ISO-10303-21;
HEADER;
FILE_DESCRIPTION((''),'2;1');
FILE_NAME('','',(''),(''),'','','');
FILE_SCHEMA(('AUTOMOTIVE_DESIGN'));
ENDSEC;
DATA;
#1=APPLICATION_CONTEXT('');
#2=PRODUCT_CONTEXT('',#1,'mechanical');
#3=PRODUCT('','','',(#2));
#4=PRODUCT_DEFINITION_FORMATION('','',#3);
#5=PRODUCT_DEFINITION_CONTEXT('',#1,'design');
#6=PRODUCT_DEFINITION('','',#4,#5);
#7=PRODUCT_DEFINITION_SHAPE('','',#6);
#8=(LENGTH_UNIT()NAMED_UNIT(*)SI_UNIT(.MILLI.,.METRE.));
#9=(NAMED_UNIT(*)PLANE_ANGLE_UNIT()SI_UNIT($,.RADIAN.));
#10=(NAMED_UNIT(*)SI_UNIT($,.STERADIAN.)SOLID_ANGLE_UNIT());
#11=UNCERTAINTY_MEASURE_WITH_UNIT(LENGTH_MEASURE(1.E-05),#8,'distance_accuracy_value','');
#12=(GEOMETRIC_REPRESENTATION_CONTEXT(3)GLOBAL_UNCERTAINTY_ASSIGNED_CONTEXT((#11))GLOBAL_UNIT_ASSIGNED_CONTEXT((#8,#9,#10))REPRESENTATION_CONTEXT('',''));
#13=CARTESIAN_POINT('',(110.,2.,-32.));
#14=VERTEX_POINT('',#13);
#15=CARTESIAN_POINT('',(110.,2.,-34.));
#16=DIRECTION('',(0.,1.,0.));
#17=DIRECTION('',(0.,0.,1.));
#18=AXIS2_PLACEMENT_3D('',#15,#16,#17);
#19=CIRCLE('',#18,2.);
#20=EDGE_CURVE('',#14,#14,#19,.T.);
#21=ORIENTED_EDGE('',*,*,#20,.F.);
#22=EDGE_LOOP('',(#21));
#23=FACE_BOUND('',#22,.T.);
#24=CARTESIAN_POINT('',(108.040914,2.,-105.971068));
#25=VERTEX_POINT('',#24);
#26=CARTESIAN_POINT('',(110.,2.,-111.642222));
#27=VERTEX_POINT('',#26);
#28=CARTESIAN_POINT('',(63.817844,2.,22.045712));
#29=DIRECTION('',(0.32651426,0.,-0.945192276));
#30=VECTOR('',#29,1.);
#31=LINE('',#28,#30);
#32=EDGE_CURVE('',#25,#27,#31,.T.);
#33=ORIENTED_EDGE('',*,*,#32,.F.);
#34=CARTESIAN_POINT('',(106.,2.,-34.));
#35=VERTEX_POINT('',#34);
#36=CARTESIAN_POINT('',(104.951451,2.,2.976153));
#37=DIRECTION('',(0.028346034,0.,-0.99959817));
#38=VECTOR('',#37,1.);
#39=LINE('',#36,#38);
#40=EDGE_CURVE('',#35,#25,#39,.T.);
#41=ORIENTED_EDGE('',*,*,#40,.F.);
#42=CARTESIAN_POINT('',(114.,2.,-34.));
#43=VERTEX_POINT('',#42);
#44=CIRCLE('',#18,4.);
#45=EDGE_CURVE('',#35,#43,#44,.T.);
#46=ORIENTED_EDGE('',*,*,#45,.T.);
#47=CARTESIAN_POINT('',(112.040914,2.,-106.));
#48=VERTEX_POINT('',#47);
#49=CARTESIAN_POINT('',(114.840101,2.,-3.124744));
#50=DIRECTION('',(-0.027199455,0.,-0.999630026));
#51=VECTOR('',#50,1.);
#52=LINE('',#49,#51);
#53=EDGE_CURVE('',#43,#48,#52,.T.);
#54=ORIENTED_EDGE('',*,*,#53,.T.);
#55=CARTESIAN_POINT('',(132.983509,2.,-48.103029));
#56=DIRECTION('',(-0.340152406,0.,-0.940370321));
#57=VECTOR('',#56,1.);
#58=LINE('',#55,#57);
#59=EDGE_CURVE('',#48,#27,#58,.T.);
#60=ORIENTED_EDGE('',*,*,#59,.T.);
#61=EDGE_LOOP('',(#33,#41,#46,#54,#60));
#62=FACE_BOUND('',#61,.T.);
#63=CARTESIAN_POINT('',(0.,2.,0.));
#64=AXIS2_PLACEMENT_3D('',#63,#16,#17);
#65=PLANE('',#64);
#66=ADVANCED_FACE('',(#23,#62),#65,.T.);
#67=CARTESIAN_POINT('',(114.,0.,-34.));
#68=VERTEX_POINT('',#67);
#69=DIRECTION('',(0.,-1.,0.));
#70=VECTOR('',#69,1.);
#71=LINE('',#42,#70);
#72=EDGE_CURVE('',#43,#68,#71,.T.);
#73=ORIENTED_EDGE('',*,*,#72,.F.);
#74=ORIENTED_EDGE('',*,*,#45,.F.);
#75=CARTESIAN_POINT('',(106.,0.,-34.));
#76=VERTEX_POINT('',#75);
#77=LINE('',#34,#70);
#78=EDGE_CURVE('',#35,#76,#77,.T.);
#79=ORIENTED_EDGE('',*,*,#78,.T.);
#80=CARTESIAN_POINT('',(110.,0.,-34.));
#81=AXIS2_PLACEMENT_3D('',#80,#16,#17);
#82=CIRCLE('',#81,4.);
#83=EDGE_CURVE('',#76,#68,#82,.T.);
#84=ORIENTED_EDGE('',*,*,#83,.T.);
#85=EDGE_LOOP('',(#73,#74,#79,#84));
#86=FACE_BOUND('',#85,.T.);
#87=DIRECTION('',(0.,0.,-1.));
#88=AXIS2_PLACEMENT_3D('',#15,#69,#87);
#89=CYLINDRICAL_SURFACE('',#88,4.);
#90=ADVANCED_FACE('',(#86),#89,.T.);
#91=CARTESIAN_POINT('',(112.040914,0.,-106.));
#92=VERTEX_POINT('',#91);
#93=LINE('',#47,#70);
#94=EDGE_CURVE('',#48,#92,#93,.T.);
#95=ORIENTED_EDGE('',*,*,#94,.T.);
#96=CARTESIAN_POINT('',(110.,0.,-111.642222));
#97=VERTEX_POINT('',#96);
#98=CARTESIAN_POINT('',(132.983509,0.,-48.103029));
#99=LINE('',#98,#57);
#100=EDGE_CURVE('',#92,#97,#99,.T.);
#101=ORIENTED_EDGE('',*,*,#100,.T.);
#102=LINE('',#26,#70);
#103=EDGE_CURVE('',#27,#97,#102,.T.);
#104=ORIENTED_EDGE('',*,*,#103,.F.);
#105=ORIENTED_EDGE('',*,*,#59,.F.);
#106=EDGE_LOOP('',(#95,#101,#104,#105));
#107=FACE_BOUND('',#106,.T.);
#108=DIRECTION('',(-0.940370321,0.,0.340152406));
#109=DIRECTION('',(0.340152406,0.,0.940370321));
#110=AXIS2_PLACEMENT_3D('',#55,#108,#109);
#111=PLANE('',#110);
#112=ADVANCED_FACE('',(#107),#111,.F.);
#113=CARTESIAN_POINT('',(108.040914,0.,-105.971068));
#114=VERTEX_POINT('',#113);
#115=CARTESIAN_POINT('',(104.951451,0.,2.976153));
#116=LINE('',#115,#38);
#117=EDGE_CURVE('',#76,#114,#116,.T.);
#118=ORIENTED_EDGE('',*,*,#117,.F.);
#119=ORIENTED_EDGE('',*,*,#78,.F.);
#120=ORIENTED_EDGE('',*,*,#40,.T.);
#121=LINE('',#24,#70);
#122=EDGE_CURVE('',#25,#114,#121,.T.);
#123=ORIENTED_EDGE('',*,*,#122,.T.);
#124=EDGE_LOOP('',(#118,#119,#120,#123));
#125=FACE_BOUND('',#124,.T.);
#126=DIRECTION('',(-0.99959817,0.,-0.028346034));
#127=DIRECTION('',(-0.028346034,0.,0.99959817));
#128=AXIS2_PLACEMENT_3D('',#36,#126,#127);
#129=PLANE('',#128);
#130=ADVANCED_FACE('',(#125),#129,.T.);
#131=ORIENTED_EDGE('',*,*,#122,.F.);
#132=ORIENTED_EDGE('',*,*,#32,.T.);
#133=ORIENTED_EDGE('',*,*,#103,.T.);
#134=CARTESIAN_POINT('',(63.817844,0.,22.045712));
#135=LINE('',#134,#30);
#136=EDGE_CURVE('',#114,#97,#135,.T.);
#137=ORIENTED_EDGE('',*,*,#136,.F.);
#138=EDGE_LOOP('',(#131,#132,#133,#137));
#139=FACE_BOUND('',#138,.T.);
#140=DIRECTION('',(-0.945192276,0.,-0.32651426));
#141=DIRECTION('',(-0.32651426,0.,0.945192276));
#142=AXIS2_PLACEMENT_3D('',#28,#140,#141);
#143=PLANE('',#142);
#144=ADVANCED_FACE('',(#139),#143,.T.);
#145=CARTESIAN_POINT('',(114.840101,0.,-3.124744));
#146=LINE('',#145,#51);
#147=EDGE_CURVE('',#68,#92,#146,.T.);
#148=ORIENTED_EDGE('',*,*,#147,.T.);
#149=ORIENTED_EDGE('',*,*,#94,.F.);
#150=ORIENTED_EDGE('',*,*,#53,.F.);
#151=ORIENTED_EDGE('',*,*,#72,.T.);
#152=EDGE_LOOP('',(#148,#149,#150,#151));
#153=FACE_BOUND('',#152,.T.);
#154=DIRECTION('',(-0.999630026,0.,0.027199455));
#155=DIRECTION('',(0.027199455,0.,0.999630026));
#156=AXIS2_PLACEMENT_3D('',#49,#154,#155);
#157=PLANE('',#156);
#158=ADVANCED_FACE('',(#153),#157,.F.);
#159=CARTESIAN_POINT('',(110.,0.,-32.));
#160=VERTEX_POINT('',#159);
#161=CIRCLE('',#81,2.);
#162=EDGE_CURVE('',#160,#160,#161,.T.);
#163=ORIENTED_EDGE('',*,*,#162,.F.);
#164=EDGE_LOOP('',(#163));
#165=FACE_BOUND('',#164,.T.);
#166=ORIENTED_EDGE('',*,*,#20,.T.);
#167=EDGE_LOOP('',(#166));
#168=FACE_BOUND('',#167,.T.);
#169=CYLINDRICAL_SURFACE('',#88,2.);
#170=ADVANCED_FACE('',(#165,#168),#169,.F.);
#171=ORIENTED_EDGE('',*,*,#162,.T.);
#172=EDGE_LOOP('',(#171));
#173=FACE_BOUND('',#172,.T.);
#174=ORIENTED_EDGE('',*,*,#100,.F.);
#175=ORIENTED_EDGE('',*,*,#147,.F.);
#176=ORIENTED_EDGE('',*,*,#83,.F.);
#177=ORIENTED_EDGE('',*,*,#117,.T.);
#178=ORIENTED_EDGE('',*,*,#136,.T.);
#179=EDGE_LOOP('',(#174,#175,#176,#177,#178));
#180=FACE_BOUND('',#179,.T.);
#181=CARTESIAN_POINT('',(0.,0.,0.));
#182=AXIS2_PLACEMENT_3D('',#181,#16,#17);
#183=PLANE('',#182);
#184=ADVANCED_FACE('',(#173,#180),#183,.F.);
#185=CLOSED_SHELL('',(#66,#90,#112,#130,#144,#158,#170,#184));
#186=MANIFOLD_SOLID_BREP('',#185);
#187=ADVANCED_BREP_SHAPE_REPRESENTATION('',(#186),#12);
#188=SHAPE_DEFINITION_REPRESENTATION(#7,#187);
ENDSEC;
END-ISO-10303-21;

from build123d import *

# Parameters (mm, degrees)
SKICA1_R                = 2
P_IDAT_VYSUNUT_M3_DEPTH = 2


with BuildPart() as part:
    # Skica1 → Přidat vysunutím3 (new body)
    # profile 1 of 2: a face of its own
    with BuildSketch(Plane(origin=(0, 0, 0), x_dir=(1, 0, 0), z_dir=(0, 1, 0))):
        with BuildLine():
            Line((108.040914438, 105.971068272), (106.006427981, 34.226677149))
            ThreePointArc((106.006427981, 34.226677149), (110.004588085, 37.999997369), (113.994081517, 34.217515135))
            Line((113.994081517, 34.217515135), (112.040914438, 106))
            Line((112.040914438, 106), (110, 111.642221926))
            Line((110, 111.642221926), (108.040914438, 105.971068272))
        make_face()
    # profile 2 of 2: a face of its own
    with BuildSketch(Plane(origin=(0, 0, 0), x_dir=(1, 0, 0), z_dir=(0, 1, 0))):
        with BuildLine():
            ThreePointArc((106, 34), (107.171572875, 31.171572875), (110, 30))
            ThreePointArc((110, 30), (112.828427125, 31.171572875), (114, 34))
            Line((114, 34), (113.994081517, 34.217515135))
            ThreePointArc((113.994081517, 34.217515135), (110.004588085, 37.999997369), (106.006427981, 34.226677149))
            Line((106.006427981, 34.226677149), (106, 34))
        make_face()
        with Locations(Location((110, 34, 0), (0, 0, 270))):
            Circle(SKICA1_R, mode=Mode.SUBTRACT)
    extrude(amount=P_IDAT_VYSUNUT_M3_DEPTH)


solid = part.part
